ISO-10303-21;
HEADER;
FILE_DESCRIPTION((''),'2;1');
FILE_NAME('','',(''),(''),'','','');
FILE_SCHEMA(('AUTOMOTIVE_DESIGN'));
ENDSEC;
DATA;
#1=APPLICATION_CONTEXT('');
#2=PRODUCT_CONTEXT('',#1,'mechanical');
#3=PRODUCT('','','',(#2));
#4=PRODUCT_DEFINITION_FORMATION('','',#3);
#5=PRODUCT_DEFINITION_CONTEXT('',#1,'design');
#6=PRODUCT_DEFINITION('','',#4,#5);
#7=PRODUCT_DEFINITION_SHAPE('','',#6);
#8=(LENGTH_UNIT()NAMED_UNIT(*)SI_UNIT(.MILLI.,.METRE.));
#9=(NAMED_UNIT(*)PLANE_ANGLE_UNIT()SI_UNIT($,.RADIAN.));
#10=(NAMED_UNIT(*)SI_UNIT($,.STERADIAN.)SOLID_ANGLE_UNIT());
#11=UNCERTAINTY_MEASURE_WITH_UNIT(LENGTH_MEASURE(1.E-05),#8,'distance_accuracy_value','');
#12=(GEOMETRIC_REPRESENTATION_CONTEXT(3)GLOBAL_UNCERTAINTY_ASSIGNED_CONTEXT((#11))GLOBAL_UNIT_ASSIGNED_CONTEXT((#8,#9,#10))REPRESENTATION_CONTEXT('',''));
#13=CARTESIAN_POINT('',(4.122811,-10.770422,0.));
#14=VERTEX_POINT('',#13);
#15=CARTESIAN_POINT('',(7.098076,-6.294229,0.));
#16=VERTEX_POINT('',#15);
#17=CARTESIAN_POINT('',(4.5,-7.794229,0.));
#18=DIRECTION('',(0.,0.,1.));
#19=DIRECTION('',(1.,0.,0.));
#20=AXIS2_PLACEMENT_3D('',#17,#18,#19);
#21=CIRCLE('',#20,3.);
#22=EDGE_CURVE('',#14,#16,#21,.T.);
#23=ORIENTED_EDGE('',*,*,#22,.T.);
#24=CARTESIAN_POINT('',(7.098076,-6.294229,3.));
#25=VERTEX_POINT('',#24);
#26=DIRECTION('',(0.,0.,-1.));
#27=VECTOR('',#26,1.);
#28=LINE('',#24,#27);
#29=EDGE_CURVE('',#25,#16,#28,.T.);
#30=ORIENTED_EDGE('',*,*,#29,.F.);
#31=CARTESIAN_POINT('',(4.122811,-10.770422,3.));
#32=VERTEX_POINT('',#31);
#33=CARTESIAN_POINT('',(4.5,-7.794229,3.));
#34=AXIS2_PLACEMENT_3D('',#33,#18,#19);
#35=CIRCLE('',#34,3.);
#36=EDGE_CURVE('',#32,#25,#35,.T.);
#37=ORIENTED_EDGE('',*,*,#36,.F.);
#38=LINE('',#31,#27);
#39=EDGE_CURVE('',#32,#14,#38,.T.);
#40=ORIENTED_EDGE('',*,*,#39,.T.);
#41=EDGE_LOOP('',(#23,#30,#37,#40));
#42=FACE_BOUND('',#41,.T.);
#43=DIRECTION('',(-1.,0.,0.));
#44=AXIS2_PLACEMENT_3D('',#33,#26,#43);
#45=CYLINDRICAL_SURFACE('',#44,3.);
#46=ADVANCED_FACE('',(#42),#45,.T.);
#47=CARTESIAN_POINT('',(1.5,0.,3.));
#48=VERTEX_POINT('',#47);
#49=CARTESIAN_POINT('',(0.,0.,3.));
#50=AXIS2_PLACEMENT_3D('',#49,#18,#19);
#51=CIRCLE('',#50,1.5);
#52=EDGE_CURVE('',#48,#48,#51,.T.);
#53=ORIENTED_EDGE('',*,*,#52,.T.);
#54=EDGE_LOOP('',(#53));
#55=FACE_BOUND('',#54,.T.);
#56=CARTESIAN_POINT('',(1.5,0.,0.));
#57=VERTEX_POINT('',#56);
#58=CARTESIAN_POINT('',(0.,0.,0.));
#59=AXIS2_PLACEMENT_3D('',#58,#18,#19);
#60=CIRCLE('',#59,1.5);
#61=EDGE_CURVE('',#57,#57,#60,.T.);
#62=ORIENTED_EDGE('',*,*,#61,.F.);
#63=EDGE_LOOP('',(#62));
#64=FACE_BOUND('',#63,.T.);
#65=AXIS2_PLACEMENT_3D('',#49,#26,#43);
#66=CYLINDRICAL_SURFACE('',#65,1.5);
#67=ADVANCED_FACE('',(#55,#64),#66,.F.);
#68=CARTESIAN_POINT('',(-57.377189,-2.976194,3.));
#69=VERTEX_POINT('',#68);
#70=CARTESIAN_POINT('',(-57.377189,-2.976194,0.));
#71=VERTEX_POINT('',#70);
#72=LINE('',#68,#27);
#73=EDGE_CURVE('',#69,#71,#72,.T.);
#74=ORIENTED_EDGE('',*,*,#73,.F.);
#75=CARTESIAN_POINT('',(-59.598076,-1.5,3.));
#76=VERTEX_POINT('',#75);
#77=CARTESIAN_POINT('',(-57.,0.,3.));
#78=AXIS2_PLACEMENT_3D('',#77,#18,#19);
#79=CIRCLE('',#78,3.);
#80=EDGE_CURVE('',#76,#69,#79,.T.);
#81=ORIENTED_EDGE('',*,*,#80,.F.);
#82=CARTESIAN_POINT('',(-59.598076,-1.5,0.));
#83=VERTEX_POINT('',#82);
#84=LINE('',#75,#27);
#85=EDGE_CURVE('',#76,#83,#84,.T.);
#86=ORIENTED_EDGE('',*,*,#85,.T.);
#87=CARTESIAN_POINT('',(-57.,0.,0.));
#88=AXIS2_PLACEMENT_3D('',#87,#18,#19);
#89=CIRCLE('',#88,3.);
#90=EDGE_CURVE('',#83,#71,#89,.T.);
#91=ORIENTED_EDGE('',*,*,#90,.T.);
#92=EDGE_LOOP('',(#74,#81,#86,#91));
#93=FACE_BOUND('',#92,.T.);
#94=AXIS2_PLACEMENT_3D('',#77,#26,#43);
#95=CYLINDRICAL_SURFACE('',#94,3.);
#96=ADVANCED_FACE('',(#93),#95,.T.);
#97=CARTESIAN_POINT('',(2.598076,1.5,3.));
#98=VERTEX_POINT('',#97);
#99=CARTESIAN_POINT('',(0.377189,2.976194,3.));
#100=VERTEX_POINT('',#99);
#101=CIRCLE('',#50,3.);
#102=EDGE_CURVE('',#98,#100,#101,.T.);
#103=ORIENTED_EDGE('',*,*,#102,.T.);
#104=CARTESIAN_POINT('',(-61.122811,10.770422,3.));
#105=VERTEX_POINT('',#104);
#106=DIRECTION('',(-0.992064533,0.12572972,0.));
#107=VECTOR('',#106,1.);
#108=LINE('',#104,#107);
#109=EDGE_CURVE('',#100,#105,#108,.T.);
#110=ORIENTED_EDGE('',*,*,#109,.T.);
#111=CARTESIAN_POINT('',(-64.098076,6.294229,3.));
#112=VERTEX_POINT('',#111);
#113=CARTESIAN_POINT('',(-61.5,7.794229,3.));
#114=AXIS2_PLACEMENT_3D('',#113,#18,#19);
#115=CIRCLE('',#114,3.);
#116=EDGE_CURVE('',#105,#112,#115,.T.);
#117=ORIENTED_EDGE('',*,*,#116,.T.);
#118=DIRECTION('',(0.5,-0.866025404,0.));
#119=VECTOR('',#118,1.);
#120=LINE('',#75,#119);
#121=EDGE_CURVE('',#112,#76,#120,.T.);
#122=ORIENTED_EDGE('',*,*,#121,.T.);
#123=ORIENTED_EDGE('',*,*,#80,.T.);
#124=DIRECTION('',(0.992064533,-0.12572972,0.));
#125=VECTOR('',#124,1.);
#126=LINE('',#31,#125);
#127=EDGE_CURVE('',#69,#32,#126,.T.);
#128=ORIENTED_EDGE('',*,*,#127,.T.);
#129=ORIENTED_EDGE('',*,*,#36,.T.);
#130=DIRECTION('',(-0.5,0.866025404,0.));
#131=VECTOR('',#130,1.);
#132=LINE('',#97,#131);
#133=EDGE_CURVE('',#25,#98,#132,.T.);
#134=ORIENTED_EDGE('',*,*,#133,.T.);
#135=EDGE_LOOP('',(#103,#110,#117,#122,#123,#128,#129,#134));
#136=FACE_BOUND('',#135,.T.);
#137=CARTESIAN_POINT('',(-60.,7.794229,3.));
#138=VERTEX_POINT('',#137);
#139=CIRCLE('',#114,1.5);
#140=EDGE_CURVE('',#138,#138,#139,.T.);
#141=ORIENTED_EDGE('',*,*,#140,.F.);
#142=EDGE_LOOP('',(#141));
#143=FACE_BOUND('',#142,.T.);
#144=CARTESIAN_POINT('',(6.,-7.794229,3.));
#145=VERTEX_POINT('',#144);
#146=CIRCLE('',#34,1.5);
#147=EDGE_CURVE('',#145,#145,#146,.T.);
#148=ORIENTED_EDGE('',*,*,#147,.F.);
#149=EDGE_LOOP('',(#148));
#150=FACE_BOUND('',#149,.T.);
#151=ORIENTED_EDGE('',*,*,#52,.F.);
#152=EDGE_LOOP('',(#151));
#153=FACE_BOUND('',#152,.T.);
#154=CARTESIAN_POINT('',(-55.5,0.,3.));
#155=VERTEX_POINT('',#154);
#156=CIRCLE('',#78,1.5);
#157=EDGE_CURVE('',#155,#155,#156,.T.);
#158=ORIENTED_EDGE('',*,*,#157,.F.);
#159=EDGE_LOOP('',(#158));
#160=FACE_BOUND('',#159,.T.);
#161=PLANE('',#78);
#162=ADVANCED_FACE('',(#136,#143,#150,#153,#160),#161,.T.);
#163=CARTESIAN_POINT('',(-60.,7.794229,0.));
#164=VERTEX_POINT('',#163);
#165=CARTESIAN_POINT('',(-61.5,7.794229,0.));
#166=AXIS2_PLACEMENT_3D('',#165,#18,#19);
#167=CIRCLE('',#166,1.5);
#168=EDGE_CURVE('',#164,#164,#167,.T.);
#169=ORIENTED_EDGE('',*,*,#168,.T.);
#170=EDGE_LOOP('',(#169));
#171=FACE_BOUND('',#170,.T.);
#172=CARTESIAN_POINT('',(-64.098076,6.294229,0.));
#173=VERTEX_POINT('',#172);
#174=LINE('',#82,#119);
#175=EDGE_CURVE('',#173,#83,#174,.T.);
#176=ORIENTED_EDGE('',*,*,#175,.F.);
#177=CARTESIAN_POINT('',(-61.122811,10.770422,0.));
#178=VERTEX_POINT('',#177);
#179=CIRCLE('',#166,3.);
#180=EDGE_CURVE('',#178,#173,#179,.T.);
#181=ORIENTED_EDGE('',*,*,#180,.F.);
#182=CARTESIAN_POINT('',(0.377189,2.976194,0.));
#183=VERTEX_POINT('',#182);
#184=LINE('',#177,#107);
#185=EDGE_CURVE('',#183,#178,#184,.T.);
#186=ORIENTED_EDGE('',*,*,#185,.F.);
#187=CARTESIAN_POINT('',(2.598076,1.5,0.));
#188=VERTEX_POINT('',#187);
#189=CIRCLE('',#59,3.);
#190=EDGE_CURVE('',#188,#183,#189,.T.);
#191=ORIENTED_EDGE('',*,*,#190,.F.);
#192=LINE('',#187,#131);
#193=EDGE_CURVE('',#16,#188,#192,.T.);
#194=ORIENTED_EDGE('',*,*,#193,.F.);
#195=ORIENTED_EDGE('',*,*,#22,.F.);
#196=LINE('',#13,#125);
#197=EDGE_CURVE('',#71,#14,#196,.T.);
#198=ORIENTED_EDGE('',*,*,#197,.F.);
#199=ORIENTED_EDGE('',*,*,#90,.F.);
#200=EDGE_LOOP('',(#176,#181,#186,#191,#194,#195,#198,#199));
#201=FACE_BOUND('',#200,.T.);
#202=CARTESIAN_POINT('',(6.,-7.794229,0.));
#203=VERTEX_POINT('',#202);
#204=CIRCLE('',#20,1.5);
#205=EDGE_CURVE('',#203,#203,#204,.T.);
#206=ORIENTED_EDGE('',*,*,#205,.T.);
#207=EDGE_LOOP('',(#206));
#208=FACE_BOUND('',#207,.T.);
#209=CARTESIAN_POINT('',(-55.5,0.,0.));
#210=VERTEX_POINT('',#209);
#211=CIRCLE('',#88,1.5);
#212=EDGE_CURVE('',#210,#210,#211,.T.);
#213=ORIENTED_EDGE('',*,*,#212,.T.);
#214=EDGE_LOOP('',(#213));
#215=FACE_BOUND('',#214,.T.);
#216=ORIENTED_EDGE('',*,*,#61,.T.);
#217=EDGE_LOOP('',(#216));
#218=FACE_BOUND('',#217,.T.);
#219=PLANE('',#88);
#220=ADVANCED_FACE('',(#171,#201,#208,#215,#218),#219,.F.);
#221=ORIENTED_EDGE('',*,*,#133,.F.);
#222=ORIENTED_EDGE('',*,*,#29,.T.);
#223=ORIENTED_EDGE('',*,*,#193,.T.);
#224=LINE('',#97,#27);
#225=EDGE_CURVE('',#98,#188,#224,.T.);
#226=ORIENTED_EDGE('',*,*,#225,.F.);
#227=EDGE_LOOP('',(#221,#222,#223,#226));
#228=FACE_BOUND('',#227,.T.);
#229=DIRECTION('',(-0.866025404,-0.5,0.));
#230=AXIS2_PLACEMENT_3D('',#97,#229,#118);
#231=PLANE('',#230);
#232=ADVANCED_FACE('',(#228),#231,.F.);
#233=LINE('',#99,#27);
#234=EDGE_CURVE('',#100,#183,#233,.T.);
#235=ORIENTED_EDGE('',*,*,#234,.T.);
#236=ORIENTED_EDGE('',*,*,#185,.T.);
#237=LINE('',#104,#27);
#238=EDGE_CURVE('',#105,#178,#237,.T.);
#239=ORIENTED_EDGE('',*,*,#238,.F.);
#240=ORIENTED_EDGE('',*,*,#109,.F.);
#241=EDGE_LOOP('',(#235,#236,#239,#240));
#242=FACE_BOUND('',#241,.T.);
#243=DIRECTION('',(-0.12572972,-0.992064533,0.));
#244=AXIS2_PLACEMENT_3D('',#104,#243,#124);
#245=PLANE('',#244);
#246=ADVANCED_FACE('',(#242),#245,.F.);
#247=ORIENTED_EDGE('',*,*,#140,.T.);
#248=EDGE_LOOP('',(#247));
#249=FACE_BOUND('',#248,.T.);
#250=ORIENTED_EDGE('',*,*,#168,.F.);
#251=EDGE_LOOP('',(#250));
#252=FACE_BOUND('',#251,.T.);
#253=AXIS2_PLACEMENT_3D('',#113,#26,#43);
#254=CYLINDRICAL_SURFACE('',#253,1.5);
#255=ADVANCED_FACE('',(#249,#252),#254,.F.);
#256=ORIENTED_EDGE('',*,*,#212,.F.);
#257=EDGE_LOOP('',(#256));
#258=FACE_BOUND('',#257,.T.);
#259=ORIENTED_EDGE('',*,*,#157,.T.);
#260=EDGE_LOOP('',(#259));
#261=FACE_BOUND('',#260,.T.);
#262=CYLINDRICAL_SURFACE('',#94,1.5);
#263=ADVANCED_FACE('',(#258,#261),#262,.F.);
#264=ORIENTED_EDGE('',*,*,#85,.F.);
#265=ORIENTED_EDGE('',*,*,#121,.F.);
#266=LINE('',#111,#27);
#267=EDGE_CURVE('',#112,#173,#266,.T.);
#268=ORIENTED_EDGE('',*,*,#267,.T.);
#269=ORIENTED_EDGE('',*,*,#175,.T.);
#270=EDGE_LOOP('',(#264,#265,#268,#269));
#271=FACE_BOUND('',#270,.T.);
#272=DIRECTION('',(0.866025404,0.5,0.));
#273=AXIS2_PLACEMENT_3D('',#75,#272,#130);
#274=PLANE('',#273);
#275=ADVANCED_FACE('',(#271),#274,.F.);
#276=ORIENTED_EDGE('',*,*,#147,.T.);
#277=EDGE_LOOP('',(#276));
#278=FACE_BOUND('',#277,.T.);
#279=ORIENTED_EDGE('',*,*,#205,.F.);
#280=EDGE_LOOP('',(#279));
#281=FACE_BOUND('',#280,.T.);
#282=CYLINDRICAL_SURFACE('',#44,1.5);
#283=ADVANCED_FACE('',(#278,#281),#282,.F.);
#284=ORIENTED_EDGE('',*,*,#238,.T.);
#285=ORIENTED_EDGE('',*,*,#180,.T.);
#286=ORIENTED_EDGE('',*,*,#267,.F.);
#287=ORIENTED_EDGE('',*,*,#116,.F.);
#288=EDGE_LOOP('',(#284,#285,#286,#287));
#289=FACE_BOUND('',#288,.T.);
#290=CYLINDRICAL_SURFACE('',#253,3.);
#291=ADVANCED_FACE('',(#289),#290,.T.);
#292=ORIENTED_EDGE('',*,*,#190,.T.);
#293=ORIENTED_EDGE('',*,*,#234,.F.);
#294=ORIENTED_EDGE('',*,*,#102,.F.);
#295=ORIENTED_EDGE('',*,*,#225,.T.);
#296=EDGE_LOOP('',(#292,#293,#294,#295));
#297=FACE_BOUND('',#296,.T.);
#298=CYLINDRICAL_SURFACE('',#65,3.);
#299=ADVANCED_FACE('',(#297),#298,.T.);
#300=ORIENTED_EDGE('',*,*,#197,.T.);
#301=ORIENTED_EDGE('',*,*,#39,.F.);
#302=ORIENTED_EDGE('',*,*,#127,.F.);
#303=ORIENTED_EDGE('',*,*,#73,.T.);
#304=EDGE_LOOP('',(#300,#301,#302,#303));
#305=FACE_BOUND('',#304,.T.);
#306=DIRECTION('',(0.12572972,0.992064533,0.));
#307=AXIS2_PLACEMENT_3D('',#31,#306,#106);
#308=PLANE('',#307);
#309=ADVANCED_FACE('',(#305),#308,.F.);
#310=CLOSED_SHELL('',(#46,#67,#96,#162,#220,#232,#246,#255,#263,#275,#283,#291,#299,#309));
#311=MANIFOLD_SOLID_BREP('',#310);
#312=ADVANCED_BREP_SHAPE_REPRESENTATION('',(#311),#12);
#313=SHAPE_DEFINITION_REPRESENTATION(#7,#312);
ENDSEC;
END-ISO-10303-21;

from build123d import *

# Parameters (mm, degrees)
SKETCH2_R           = 1.5
BOSS_EXTRUDE1_DEPTH = 3


with BuildPart() as part:
    # Sketch2 → Boss-Extrude1 (new body)
    with BuildSketch(Plane.XY):
        with BuildLine():
            Line((-61.12281084, 10.770422233), (0.37718916, 2.976193599))
            ThreePointArc((0.37718916, 2.976193599), (1.660673927, 2.49843193), (2.598076211, 1.5))
            Line((2.598076211, 1.5), (7.098076211, -6.294228634))
            ThreePointArc((7.098076211, -6.294228634), (6.99843193, -9.454902562), (4.12281084, -10.770422233))
            Line((4.12281084, -10.770422233), (-57.37718916, -2.976193599))
            ThreePointArc((-57.37718916, -2.976193599), (-58.660673927, -2.49843193), (-59.598076211, -1.5))
            Line((-59.598076211, -1.5), (-64.098076211, 6.294228634))
            ThreePointArc((-64.098076211, 6.294228634), (-63.99843193, 9.454902562), (-61.12281084, 10.770422233))
        make_face()
        with Locations((-57, 0)):
            Circle(SKETCH2_R, mode=Mode.SUBTRACT)
        with Locations((-61.5, 7.794228634)):
            Circle(SKETCH2_R, mode=Mode.SUBTRACT)
        Circle(SKETCH2_R, mode=Mode.SUBTRACT)
        with Locations((4.5, -7.794228634)):
            Circle(SKETCH2_R, mode=Mode.SUBTRACT)
    extrude(amount=BOSS_EXTRUDE1_DEPTH)


solid = part.part
